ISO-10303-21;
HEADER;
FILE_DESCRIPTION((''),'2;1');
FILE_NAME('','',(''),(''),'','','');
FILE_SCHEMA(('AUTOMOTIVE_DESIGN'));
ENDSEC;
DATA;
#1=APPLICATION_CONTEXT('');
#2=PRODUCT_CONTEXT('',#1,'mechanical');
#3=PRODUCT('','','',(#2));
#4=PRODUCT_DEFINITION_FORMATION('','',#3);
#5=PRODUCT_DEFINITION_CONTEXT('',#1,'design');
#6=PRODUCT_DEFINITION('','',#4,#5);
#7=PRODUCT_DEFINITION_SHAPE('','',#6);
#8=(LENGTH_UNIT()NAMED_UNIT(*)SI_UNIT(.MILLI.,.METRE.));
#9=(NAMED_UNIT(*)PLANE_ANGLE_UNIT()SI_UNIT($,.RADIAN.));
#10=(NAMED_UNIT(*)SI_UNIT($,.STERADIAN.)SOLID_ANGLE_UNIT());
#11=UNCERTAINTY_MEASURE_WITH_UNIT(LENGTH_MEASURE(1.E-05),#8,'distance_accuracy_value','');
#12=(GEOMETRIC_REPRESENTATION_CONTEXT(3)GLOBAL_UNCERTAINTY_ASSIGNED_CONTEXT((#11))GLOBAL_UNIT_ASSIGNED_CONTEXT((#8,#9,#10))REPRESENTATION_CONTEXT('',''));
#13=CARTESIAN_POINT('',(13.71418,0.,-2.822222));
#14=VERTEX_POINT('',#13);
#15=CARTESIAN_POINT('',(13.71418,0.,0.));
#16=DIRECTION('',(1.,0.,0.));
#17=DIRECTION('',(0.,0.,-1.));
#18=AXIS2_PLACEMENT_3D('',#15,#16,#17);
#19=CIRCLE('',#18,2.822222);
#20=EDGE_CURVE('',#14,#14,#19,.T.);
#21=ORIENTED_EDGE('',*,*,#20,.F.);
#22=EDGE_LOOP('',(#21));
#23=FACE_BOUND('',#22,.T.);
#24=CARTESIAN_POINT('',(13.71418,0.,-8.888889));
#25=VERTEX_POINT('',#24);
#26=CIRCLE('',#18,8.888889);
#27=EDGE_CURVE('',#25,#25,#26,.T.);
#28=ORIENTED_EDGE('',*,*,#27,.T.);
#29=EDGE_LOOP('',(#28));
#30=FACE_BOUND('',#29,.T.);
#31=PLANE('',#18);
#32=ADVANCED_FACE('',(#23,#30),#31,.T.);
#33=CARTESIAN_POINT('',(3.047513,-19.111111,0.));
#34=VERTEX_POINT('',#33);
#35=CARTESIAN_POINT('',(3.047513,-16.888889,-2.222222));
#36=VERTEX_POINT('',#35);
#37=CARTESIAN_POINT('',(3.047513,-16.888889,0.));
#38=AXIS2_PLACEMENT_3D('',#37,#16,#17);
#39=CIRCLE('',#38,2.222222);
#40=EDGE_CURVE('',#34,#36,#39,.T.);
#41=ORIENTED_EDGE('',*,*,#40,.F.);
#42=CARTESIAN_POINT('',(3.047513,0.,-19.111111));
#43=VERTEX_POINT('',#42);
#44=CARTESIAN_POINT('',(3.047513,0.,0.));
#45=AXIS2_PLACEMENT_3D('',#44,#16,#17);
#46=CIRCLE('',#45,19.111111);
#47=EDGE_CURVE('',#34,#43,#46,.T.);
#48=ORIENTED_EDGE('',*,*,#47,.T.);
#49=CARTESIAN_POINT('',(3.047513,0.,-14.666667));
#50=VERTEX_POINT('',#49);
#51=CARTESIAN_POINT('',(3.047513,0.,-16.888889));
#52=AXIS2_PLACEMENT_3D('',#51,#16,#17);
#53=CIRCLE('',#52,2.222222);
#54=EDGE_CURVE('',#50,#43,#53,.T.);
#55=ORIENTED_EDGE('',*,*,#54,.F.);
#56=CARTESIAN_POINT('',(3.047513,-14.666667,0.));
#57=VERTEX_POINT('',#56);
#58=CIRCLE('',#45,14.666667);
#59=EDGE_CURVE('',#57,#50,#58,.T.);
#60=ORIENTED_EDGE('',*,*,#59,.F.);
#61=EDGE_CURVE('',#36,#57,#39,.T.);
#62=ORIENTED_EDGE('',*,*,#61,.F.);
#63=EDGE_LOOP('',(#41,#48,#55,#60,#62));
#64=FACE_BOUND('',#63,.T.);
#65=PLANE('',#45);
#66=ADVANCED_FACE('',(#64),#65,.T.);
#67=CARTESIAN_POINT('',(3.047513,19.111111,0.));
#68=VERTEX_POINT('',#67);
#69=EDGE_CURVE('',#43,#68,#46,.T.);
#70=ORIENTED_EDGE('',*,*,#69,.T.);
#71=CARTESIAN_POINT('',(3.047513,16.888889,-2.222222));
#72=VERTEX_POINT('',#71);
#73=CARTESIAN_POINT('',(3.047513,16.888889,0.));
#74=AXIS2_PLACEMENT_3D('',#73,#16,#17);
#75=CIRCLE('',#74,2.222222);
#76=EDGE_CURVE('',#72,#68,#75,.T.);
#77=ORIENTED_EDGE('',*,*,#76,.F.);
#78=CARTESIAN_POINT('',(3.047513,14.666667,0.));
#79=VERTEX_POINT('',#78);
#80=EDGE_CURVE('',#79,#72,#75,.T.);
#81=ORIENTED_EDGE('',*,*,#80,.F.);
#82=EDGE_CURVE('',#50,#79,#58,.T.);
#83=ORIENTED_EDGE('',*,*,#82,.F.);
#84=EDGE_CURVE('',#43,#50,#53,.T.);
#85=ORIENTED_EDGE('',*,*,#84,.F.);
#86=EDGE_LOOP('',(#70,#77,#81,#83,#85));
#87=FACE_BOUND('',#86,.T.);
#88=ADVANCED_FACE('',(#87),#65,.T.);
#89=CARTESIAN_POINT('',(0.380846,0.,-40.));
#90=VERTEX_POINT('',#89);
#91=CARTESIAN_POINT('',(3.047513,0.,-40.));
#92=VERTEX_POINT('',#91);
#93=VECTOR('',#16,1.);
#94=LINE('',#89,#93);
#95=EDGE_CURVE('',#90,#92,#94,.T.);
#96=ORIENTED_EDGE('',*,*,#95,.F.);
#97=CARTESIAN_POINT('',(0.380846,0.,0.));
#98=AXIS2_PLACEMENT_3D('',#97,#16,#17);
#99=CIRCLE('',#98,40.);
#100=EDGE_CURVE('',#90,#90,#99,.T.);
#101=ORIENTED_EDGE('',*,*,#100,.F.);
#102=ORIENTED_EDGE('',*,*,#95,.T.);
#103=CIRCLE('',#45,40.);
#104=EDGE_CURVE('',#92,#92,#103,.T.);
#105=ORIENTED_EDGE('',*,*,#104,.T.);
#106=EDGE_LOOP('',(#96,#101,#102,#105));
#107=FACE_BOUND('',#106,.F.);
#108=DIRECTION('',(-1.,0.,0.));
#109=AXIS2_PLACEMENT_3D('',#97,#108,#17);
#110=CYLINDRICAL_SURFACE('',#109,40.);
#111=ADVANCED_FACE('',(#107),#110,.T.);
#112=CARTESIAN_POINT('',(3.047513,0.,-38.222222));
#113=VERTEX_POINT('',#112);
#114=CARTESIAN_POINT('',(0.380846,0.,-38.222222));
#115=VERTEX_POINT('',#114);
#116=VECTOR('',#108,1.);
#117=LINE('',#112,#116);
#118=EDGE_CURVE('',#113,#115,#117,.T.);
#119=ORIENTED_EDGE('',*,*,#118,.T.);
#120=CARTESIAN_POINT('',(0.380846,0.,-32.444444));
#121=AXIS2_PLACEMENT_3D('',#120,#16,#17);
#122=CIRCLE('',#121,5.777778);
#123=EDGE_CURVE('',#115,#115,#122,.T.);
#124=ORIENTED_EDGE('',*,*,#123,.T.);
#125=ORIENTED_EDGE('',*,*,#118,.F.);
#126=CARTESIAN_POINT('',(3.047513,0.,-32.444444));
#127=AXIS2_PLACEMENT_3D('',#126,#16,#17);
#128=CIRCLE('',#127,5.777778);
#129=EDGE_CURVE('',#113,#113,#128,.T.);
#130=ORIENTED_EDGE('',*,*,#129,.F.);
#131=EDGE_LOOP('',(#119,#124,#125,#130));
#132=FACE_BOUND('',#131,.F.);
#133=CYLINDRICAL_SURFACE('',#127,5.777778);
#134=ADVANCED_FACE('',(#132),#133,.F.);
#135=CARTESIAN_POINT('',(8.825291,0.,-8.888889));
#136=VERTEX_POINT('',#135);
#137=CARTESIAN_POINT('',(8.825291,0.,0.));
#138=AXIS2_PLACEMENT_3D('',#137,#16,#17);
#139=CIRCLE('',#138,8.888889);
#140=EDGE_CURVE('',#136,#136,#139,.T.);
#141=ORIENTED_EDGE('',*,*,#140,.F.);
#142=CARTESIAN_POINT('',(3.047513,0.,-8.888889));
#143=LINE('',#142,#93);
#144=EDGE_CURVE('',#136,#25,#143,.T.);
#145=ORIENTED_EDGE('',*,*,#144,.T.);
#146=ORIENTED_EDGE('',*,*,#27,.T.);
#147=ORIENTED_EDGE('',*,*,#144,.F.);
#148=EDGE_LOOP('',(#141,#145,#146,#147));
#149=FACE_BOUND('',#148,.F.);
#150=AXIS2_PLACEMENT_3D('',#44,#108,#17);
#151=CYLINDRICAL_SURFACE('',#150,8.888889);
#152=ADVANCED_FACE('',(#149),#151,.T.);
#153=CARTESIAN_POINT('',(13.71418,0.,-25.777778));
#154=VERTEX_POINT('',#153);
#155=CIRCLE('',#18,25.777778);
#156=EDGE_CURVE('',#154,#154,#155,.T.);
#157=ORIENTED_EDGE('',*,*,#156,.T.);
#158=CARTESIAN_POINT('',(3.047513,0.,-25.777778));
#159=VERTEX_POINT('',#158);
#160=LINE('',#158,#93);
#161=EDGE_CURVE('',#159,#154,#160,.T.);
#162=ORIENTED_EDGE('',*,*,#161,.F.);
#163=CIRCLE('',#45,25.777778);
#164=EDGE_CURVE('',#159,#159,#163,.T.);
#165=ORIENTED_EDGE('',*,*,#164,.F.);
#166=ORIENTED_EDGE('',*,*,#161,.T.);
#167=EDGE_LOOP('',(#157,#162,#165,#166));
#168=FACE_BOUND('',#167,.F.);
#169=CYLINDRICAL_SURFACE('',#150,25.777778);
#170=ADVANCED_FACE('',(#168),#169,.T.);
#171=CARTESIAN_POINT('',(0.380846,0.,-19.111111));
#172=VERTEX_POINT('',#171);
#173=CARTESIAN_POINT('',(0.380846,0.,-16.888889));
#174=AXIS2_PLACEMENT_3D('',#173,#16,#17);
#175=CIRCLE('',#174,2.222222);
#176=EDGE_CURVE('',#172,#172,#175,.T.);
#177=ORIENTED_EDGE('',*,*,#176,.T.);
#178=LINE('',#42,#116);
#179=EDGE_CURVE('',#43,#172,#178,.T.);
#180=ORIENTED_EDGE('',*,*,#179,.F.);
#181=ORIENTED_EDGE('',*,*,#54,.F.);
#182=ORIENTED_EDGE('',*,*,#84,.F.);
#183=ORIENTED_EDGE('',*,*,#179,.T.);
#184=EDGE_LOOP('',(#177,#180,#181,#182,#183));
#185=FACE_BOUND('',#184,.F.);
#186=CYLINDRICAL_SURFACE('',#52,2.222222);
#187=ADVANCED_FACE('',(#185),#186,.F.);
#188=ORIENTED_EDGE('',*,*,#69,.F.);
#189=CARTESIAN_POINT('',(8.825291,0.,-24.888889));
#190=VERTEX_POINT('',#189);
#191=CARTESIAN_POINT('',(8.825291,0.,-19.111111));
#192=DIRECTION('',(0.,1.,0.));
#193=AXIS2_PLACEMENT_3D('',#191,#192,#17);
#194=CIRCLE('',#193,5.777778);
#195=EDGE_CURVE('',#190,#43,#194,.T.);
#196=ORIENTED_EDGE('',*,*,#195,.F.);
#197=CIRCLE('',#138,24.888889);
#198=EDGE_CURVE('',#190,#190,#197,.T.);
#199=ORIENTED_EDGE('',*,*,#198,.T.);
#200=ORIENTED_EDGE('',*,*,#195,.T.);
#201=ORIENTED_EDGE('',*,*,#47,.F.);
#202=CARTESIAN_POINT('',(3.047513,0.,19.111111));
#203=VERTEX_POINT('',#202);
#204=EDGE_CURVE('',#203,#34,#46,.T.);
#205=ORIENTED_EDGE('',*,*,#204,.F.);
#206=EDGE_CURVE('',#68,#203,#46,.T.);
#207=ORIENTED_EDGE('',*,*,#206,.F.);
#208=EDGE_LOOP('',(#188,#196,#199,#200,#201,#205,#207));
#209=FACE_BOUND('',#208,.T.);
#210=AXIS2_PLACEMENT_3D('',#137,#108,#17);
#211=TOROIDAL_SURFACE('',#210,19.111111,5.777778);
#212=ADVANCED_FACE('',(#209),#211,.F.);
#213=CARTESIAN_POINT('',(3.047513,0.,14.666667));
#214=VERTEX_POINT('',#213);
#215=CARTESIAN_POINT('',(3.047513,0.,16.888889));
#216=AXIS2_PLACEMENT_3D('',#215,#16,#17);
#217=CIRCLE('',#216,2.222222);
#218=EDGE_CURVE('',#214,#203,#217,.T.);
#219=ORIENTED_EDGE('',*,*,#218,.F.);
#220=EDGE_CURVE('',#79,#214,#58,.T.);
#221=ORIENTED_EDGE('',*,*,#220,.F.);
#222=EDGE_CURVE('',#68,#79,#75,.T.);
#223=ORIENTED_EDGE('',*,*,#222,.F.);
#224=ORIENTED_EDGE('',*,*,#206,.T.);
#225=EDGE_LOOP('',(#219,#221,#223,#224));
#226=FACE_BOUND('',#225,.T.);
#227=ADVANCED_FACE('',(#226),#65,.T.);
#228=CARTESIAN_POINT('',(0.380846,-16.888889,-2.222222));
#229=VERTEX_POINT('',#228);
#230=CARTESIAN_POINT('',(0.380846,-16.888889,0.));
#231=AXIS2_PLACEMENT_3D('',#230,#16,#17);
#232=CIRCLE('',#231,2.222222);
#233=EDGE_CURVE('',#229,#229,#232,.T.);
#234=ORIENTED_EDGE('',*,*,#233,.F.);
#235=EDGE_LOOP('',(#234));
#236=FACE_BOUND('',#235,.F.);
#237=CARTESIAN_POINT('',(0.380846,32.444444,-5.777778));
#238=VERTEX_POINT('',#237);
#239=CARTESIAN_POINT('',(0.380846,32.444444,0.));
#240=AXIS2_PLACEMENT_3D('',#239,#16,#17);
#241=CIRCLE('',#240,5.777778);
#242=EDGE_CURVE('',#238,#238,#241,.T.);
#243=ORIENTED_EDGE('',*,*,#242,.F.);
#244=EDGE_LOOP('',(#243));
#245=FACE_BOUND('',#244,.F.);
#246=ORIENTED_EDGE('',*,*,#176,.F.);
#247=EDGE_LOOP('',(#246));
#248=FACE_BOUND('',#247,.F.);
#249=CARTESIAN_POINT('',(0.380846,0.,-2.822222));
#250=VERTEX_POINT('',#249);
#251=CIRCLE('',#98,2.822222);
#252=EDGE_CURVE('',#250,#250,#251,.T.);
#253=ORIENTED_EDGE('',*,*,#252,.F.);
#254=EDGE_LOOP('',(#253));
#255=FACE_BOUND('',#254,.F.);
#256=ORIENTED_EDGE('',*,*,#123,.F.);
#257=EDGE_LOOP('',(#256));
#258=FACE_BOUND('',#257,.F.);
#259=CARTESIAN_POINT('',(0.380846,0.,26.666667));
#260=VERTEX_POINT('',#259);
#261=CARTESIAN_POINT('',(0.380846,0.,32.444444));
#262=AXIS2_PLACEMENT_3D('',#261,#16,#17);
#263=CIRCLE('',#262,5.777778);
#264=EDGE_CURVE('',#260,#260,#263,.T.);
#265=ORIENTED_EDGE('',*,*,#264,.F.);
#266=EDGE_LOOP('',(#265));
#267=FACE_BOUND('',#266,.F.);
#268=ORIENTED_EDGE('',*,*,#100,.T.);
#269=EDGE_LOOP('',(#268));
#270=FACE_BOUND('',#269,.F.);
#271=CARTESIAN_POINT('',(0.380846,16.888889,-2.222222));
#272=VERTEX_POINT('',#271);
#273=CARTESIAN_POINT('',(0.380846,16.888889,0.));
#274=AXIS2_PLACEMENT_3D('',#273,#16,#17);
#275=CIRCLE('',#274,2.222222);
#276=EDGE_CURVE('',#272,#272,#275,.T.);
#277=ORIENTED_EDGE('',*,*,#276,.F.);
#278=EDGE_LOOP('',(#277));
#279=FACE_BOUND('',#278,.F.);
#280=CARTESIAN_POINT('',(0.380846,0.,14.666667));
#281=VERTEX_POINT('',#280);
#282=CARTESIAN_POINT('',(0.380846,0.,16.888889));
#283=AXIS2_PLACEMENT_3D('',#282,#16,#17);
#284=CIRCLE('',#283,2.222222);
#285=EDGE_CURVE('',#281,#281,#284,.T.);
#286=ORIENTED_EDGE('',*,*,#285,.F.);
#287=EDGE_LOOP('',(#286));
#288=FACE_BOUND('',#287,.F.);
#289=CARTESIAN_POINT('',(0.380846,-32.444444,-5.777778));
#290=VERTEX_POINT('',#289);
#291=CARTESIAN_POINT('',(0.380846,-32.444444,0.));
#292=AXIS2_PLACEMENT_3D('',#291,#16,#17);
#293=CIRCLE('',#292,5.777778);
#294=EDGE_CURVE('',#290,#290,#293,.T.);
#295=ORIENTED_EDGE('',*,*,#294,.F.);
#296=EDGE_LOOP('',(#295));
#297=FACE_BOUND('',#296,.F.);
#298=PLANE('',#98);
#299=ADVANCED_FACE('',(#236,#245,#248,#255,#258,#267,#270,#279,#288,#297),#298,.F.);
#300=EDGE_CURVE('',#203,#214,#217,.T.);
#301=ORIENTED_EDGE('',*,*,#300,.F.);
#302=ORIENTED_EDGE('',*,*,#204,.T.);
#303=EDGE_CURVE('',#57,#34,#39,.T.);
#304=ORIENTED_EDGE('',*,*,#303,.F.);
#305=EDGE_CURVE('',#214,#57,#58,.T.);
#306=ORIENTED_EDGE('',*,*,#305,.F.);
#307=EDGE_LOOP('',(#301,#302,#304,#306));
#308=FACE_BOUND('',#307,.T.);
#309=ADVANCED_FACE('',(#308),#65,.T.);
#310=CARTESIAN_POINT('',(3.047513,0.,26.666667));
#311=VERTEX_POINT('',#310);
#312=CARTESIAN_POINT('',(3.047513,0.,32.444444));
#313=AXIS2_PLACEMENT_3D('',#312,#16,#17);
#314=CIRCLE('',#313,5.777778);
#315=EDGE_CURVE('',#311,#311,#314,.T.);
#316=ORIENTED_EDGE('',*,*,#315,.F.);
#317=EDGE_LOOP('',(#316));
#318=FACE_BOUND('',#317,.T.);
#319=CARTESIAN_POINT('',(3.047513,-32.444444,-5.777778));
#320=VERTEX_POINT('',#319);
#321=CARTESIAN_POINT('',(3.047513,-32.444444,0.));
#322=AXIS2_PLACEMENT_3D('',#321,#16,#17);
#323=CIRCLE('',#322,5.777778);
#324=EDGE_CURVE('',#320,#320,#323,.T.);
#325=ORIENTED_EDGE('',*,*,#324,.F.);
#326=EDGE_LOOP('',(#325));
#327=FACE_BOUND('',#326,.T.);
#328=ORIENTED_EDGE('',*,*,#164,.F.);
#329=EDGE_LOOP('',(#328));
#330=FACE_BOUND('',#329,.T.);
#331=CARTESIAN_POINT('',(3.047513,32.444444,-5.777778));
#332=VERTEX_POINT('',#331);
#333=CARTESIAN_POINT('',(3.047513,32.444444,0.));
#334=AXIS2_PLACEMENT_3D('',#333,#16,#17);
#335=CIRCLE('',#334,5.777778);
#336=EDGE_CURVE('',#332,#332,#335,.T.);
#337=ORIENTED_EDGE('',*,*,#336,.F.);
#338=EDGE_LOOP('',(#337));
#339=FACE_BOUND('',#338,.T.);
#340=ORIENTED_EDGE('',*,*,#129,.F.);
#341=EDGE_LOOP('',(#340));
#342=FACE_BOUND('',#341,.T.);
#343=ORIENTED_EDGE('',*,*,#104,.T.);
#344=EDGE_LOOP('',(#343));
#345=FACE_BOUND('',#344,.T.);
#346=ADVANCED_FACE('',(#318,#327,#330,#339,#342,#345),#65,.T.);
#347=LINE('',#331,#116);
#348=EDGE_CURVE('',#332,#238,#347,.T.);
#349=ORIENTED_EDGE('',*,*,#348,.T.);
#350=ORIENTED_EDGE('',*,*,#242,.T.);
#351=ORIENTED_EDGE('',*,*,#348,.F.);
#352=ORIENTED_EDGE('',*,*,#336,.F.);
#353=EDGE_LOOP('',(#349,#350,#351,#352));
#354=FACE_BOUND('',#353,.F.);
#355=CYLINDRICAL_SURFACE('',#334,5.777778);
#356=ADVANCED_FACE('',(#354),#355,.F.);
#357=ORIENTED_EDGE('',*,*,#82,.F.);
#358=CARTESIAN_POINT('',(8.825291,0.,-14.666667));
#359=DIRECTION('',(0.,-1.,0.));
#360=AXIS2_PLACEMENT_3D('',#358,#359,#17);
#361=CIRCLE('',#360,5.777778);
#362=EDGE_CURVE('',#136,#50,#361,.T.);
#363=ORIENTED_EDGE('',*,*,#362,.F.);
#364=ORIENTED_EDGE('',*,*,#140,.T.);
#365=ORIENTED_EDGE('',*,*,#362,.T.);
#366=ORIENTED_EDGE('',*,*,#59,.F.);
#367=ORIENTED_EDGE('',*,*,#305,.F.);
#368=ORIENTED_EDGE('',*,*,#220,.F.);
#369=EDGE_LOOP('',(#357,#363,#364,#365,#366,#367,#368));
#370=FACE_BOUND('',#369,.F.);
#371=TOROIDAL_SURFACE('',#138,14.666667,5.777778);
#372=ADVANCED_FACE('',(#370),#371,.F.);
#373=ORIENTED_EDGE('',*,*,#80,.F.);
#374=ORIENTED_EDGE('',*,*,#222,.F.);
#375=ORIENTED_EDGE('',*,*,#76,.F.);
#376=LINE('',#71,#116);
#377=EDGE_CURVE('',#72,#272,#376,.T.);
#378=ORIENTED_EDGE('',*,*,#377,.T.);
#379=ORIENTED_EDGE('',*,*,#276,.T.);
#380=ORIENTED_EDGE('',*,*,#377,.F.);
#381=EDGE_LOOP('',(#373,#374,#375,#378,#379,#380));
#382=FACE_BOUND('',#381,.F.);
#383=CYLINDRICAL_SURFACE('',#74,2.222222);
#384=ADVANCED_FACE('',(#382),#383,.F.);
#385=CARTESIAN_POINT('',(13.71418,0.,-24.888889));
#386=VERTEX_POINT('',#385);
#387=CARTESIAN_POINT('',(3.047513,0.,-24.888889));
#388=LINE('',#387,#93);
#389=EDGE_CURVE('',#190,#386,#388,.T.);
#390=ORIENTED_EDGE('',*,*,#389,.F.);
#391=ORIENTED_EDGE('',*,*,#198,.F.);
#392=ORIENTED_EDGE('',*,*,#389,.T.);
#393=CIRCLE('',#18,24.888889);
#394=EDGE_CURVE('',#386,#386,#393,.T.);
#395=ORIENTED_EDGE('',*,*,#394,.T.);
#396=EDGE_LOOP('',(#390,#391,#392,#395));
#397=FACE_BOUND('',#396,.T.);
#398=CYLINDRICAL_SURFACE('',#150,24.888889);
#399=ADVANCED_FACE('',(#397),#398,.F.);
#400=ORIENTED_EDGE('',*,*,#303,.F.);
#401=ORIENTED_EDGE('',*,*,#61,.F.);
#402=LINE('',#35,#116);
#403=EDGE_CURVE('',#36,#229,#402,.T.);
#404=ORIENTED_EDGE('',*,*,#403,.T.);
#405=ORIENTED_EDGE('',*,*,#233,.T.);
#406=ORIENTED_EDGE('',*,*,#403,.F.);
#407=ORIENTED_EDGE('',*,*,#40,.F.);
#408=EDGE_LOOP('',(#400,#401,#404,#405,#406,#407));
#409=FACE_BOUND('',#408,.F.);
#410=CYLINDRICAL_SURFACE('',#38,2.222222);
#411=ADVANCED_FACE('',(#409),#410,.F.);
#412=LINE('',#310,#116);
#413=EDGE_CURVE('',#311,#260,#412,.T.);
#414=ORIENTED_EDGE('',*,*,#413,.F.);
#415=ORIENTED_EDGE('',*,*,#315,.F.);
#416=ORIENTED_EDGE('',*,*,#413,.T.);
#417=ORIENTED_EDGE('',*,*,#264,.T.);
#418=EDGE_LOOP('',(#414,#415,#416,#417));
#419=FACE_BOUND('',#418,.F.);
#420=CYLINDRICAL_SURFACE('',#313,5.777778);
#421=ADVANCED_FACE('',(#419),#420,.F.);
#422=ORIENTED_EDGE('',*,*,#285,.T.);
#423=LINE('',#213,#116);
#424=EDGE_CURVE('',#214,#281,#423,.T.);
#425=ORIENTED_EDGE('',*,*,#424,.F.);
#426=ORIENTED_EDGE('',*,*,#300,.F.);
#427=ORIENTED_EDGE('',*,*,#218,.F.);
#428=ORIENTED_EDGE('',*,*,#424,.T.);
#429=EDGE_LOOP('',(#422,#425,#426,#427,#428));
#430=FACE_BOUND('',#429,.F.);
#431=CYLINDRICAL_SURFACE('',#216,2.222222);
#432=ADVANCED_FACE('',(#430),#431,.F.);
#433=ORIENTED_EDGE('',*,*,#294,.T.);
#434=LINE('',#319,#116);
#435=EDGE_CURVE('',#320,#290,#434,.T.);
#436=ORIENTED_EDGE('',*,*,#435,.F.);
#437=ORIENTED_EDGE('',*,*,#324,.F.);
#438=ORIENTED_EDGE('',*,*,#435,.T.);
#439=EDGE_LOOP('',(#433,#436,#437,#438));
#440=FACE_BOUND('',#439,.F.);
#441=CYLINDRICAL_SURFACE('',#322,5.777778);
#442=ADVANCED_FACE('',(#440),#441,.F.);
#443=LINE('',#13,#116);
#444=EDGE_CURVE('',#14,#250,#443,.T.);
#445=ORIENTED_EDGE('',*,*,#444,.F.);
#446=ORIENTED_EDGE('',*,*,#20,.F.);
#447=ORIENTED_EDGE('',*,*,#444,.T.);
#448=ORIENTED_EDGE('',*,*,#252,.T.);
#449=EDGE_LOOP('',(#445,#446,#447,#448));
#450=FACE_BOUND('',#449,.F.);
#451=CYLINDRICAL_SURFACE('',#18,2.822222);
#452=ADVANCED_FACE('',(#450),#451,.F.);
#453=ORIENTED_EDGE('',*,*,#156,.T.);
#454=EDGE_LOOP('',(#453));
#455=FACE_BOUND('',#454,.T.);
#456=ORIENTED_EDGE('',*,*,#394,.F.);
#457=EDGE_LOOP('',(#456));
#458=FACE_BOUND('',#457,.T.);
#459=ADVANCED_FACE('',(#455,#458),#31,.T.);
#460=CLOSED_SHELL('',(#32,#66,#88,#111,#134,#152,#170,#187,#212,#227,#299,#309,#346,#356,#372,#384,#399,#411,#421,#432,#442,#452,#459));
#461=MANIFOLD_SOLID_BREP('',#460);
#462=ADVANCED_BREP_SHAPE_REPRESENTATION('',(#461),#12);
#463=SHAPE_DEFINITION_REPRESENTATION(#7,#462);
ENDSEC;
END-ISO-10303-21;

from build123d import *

# Parameters (mm, degrees)
SPROCKET_R                   = 45
ESTRUSIONE_ESTRUSIONE2_DEPTH = 3
SCHIZZO4_R                   = 10
ESTRUSIONE_ESTRUSIONE4_DEPTH = 12
SCHIZZO5_R                   = 29
SCHIZZO5_R_2                 = 28
ESTRUSIONE_ESTRUSIONE5_DEPTH = 12
SCHIZZO6_R                   = 3.175
TAGLIO_ESTRUSIONE1_DEPTH     = 15
RACCORDO1_R                  = 6.5
SCHIZZO7_R                   = 6.5
SCHIZZO7_R_2                 = 2.5
TAGLIO_ESTRUSIONE2_DEPTH     = 4
SCALE1_SCALE                 = 0.888888889


with BuildPart() as part:
    # Sprocket → Estrusione-Estrusione2 (new body)
    with BuildSketch(Plane(origin=(0, 0, 0), x_dir=(0, 0, -1), z_dir=(1, 0, 0))):
        Circle(SPROCKET_R)
    extrude(amount=ESTRUSIONE_ESTRUSIONE2_DEPTH)

    # Schizzo4 → Estrusione-Estrusione4 (add)
    with BuildSketch(Plane(origin=(3, 0, 0), x_dir=(0, 0, -1), z_dir=(1, 0, 0))):
        Circle(SCHIZZO4_R)
    extrude(amount=ESTRUSIONE_ESTRUSIONE4_DEPTH)

    # Schizzo5 → Estrusione-Estrusione5 (add)
    with BuildSketch(Plane(origin=(3, 0, 0), x_dir=(0, 0, -1), z_dir=(1, 0, 0))):
        Circle(SCHIZZO5_R)
        Circle(SCHIZZO5_R_2, mode=Mode.SUBTRACT)
    extrude(amount=ESTRUSIONE_ESTRUSIONE5_DEPTH)

    # Schizzo6 → Taglio-Estrusione1 (cut)
    with BuildSketch(Plane(origin=(15, 0, 0), x_dir=(0, 0, -1), z_dir=(1, 0, 0))):
        Circle(SCHIZZO6_R)
    extrude(amount=-TAGLIO_ESTRUSIONE1_DEPTH, mode=Mode.SUBTRACT)

    # Raccordo1
    raccordo1_edges = [part.edges().sort_by_distance(p)[0] for p in [
        (3, 0, 10),
        (3, 0, 28),
    ]]
    fillet(raccordo1_edges, radius=RACCORDO1_R)

    # Schizzo7 → Taglio-Estrusione2 (cut, through all)
    with BuildSketch(Plane(origin=(3, 0, 0), x_dir=(0, 0, -1), z_dir=(1, 0, 0))):
        with Locations((0, 36.5)):
            Circle(SCHIZZO7_R)
        with Locations((36.5, 0)):
            Circle(SCHIZZO7_R)
        with Locations((0, -36.5)):
            Circle(SCHIZZO7_R)
        with Locations((-36.5, 0)):
            Circle(SCHIZZO7_R)
        with Locations((0, 19)):
            Circle(SCHIZZO7_R_2)
        with Locations((19, 0)):
            Circle(SCHIZZO7_R_2)
        with Locations((0, -19)):
            Circle(SCHIZZO7_R_2)
        with Locations((-19, 0)):
            Circle(SCHIZZO7_R_2)
    extrude(amount=-TAGLIO_ESTRUSIONE2_DEPTH, mode=Mode.SUBTRACT)


with BuildPart() as part_1:
    # Scale1: scaled about (3.427617089, 0, 0)
    add(part.part.scale(SCALE1_SCALE).moved(Location((0.380846343, 0, 0))))


solid = part_1.part
